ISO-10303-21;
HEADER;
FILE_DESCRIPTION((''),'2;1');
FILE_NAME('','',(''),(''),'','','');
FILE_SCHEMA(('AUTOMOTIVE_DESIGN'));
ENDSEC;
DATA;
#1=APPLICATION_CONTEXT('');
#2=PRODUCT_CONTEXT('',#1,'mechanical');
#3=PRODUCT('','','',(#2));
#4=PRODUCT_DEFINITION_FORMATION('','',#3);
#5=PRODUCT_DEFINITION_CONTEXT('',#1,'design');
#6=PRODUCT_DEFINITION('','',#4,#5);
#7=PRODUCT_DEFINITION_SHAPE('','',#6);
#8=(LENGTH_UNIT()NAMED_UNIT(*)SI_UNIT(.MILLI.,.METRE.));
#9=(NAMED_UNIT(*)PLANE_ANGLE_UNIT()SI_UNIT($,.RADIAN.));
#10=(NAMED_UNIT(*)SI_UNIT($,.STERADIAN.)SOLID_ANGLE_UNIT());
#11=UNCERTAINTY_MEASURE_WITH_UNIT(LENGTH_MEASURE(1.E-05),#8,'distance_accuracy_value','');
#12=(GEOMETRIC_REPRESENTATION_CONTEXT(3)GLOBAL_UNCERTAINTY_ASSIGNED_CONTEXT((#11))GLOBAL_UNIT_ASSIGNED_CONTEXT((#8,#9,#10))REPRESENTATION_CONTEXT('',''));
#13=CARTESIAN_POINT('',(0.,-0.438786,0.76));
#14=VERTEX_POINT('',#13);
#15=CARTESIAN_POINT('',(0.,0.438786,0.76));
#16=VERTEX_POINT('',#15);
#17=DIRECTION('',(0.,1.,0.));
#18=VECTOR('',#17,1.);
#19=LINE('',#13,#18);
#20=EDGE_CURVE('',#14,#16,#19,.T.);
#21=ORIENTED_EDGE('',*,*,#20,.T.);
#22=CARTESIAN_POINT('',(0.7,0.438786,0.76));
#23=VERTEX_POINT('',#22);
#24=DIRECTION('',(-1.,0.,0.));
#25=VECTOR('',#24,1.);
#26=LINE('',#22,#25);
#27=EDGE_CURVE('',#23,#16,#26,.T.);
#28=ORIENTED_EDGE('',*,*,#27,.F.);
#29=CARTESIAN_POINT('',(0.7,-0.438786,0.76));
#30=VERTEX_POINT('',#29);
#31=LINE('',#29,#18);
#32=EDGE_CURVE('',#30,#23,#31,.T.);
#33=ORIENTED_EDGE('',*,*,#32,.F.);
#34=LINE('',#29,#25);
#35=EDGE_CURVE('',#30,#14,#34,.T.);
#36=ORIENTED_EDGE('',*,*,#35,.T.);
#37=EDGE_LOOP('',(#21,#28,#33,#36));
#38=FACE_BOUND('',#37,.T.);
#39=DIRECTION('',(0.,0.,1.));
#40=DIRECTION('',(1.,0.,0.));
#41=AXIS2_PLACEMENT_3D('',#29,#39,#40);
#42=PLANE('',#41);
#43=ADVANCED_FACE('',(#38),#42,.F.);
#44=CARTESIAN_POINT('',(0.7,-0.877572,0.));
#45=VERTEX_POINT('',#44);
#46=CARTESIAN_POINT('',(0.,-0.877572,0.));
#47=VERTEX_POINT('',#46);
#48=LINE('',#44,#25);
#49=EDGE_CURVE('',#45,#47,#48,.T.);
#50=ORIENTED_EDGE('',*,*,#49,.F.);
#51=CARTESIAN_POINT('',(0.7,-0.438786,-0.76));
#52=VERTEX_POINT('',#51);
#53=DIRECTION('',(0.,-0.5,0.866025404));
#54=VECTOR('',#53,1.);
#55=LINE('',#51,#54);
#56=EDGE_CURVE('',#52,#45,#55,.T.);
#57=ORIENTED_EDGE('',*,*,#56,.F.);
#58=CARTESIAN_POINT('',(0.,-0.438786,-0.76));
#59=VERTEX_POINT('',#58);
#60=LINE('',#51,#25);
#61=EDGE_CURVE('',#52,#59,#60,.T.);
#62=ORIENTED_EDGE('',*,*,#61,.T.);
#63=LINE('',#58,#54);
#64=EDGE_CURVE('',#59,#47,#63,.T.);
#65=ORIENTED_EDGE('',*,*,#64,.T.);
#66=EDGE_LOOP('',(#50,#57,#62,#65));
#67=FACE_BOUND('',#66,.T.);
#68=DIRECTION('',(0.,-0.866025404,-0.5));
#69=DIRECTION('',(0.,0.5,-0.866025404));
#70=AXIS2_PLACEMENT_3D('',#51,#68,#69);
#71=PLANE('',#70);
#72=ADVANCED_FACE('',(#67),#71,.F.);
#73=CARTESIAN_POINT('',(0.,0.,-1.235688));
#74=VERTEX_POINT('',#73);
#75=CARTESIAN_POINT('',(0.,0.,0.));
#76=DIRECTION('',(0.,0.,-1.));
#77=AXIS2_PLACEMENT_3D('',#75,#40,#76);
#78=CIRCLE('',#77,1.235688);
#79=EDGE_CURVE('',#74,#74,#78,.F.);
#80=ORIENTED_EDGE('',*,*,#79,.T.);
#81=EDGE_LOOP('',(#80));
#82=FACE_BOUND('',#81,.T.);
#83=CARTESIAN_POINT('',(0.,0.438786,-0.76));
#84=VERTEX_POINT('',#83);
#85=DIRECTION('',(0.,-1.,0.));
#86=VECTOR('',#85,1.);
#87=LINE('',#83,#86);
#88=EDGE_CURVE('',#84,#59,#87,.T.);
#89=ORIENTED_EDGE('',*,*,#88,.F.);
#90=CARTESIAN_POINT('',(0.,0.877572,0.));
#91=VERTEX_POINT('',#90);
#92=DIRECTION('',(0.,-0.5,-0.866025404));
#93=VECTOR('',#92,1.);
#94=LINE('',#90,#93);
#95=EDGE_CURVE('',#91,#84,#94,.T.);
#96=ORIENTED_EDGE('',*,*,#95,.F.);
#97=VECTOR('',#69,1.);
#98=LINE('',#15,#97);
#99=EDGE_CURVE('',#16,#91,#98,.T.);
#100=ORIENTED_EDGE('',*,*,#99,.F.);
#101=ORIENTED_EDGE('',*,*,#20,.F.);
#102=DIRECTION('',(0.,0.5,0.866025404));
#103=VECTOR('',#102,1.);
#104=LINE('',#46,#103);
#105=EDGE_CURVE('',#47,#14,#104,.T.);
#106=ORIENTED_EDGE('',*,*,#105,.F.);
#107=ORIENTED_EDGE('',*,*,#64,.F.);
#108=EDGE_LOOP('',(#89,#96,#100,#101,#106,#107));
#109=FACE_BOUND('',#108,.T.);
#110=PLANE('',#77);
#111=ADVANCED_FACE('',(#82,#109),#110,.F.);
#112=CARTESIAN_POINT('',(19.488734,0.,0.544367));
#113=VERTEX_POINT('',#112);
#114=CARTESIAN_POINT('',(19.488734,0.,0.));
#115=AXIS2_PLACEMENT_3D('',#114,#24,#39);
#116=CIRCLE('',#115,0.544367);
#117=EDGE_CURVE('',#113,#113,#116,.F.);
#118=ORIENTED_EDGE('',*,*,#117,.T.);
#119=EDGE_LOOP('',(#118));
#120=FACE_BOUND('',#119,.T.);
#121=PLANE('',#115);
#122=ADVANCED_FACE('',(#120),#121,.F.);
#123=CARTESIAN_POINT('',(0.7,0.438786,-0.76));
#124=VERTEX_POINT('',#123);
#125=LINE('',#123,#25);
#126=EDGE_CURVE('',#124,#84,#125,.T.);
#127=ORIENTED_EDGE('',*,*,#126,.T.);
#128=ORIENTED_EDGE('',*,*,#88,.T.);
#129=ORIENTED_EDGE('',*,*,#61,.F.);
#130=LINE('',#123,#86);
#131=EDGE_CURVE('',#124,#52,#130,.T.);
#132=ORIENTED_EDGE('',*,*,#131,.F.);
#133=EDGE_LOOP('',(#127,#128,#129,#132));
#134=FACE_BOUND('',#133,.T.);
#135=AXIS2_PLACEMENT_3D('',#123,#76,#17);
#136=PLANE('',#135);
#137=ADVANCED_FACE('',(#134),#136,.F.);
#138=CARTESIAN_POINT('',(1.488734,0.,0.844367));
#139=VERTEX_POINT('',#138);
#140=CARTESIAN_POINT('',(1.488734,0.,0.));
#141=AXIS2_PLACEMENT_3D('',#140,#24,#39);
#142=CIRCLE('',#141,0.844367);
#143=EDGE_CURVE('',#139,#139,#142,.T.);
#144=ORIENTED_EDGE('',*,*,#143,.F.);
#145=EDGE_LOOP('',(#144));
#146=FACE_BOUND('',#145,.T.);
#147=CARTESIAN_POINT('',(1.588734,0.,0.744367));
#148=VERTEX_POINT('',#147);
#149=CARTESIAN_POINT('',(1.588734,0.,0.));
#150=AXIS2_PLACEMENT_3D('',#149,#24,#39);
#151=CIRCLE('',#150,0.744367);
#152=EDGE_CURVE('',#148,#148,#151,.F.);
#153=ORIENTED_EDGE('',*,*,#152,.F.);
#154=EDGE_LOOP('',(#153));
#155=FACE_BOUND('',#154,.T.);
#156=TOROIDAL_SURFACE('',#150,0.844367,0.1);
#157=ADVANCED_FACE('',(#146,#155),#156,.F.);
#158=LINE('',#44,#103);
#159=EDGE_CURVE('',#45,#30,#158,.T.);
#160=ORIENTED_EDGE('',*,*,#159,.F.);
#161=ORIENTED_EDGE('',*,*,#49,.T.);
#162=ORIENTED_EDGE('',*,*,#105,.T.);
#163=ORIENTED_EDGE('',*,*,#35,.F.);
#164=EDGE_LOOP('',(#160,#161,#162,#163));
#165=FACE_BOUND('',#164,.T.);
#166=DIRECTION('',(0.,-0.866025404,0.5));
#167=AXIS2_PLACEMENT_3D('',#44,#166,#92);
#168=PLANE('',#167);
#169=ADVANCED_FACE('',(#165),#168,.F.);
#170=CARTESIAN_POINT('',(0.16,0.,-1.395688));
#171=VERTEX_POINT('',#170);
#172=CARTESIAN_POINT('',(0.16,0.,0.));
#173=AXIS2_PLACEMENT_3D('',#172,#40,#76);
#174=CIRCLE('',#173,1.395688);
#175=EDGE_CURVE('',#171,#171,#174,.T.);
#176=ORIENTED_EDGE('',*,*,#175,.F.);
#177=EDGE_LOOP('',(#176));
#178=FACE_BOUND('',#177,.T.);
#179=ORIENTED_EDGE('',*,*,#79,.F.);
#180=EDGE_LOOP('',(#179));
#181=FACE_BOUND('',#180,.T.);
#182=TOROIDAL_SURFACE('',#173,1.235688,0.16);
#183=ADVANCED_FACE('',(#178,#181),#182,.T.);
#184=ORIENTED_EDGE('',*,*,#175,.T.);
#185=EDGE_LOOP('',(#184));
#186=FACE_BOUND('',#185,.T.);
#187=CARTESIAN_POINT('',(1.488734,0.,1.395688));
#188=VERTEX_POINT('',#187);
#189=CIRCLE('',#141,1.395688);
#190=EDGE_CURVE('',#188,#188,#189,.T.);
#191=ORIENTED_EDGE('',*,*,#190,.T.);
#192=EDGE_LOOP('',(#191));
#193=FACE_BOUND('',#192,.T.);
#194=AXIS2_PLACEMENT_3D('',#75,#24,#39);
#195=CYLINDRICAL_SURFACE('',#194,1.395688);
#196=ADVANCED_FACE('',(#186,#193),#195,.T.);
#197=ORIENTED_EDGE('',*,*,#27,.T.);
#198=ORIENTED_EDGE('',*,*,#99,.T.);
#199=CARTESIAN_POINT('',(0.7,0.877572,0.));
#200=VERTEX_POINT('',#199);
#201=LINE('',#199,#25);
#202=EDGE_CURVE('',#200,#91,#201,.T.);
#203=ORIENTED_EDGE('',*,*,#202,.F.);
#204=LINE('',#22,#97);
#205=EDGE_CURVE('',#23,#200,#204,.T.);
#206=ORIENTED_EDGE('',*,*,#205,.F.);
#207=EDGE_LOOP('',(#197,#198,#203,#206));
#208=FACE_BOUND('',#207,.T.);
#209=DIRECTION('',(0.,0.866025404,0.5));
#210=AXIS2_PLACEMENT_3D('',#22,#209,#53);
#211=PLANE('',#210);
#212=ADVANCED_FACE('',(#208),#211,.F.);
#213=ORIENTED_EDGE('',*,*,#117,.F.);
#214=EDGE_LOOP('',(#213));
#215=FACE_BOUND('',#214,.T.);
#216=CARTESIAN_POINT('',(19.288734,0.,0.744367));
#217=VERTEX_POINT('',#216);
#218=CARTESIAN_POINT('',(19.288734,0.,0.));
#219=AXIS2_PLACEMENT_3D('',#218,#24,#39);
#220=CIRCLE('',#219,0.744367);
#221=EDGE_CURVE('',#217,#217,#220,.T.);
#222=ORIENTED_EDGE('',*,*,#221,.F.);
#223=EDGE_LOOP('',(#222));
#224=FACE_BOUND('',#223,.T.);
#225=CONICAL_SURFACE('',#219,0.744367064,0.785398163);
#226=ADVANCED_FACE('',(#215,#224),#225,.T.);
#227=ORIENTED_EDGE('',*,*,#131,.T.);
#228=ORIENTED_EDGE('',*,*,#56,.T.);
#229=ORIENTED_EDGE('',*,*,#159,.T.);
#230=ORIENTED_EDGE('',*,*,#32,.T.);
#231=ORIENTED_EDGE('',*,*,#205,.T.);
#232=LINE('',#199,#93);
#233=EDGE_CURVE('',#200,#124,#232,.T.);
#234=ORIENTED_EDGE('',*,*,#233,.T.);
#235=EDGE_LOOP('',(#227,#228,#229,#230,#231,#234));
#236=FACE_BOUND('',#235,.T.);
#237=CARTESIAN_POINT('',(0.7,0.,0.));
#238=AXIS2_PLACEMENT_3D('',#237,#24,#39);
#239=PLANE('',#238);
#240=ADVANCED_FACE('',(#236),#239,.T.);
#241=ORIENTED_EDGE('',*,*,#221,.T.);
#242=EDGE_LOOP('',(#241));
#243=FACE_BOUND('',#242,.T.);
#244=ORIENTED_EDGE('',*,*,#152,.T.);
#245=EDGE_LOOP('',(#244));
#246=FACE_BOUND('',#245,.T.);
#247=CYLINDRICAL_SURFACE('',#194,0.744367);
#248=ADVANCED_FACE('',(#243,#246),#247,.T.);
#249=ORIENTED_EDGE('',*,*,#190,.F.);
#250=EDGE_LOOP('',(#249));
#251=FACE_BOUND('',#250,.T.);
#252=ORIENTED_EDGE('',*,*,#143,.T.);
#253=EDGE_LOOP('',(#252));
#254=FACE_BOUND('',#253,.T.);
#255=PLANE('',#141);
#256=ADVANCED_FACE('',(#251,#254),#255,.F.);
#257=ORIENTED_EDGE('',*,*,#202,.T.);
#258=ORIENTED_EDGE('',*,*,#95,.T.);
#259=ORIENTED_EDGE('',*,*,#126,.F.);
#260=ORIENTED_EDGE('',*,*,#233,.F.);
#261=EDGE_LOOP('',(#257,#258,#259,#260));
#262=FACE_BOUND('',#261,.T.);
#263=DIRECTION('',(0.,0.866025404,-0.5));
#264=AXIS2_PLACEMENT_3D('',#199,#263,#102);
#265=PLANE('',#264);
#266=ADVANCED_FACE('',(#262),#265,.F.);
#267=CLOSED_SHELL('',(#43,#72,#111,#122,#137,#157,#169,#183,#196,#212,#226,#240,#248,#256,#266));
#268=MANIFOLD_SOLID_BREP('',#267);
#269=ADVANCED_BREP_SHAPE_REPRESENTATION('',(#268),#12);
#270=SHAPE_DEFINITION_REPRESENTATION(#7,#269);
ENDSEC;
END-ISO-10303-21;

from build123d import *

# Parameters (mm, degrees)
FILLET1_R      = 0.1
FILLET2_R      = 0.16
CHAMFER1_SIZE  = 0.2
EXTRUDE1_DEPTH = 0.7


with BuildPart() as part:
    # Sketch1 → Revolve1 (revolve)
    with BuildSketch(Plane.XY, mode=Mode.PRIVATE) as revolve1_sk:
        Polygon((0, 1.395688245), (0, 0), (19.488734128, 0), (19.488734128, 0.744367064), (1.488734128, 0.744367064), (1.488734128, 1.395688245), align=None)
    revolve(revolve1_sk.sketch.rotate(Axis((0, 0, 0), (1, 0, 0)), 90), axis=Axis((0, 0, 0), (1, 0, 0)))

    # Fillet1
    fillet1_edges = [part.edges().sort_by_distance(p)[0] for p in [
        (1.488734128, 0, -0.744367064),
    ]]
    fillet(fillet1_edges, radius=FILLET1_R)

    # Fillet2
    fillet2_edges = [part.edges().sort_by_distance(p)[0] for p in [
        (0, 0, -1.395688245),
    ]]
    fillet(fillet2_edges, radius=FILLET2_R)

    # Chamfer1
    chamfer1_edges = [part.edges().sort_by_distance(p)[0] for p in [
        (19.488734128, 0, -0.744367064),
    ]]
    chamfer(chamfer1_edges, length=CHAMFER1_SIZE)

    # Sketch2 → Extrude1 (cut)
    with BuildSketch(Plane.ZY):
        Polygon((0, 0.877572409), (-0.76, 0.438786205), (-0.76, -0.438786205), (0, -0.877572409), (0.76, -0.438786205), (0.76, 0.438786205), align=None)
    extrude(amount=-EXTRUDE1_DEPTH, mode=Mode.SUBTRACT)


solid = part.part
